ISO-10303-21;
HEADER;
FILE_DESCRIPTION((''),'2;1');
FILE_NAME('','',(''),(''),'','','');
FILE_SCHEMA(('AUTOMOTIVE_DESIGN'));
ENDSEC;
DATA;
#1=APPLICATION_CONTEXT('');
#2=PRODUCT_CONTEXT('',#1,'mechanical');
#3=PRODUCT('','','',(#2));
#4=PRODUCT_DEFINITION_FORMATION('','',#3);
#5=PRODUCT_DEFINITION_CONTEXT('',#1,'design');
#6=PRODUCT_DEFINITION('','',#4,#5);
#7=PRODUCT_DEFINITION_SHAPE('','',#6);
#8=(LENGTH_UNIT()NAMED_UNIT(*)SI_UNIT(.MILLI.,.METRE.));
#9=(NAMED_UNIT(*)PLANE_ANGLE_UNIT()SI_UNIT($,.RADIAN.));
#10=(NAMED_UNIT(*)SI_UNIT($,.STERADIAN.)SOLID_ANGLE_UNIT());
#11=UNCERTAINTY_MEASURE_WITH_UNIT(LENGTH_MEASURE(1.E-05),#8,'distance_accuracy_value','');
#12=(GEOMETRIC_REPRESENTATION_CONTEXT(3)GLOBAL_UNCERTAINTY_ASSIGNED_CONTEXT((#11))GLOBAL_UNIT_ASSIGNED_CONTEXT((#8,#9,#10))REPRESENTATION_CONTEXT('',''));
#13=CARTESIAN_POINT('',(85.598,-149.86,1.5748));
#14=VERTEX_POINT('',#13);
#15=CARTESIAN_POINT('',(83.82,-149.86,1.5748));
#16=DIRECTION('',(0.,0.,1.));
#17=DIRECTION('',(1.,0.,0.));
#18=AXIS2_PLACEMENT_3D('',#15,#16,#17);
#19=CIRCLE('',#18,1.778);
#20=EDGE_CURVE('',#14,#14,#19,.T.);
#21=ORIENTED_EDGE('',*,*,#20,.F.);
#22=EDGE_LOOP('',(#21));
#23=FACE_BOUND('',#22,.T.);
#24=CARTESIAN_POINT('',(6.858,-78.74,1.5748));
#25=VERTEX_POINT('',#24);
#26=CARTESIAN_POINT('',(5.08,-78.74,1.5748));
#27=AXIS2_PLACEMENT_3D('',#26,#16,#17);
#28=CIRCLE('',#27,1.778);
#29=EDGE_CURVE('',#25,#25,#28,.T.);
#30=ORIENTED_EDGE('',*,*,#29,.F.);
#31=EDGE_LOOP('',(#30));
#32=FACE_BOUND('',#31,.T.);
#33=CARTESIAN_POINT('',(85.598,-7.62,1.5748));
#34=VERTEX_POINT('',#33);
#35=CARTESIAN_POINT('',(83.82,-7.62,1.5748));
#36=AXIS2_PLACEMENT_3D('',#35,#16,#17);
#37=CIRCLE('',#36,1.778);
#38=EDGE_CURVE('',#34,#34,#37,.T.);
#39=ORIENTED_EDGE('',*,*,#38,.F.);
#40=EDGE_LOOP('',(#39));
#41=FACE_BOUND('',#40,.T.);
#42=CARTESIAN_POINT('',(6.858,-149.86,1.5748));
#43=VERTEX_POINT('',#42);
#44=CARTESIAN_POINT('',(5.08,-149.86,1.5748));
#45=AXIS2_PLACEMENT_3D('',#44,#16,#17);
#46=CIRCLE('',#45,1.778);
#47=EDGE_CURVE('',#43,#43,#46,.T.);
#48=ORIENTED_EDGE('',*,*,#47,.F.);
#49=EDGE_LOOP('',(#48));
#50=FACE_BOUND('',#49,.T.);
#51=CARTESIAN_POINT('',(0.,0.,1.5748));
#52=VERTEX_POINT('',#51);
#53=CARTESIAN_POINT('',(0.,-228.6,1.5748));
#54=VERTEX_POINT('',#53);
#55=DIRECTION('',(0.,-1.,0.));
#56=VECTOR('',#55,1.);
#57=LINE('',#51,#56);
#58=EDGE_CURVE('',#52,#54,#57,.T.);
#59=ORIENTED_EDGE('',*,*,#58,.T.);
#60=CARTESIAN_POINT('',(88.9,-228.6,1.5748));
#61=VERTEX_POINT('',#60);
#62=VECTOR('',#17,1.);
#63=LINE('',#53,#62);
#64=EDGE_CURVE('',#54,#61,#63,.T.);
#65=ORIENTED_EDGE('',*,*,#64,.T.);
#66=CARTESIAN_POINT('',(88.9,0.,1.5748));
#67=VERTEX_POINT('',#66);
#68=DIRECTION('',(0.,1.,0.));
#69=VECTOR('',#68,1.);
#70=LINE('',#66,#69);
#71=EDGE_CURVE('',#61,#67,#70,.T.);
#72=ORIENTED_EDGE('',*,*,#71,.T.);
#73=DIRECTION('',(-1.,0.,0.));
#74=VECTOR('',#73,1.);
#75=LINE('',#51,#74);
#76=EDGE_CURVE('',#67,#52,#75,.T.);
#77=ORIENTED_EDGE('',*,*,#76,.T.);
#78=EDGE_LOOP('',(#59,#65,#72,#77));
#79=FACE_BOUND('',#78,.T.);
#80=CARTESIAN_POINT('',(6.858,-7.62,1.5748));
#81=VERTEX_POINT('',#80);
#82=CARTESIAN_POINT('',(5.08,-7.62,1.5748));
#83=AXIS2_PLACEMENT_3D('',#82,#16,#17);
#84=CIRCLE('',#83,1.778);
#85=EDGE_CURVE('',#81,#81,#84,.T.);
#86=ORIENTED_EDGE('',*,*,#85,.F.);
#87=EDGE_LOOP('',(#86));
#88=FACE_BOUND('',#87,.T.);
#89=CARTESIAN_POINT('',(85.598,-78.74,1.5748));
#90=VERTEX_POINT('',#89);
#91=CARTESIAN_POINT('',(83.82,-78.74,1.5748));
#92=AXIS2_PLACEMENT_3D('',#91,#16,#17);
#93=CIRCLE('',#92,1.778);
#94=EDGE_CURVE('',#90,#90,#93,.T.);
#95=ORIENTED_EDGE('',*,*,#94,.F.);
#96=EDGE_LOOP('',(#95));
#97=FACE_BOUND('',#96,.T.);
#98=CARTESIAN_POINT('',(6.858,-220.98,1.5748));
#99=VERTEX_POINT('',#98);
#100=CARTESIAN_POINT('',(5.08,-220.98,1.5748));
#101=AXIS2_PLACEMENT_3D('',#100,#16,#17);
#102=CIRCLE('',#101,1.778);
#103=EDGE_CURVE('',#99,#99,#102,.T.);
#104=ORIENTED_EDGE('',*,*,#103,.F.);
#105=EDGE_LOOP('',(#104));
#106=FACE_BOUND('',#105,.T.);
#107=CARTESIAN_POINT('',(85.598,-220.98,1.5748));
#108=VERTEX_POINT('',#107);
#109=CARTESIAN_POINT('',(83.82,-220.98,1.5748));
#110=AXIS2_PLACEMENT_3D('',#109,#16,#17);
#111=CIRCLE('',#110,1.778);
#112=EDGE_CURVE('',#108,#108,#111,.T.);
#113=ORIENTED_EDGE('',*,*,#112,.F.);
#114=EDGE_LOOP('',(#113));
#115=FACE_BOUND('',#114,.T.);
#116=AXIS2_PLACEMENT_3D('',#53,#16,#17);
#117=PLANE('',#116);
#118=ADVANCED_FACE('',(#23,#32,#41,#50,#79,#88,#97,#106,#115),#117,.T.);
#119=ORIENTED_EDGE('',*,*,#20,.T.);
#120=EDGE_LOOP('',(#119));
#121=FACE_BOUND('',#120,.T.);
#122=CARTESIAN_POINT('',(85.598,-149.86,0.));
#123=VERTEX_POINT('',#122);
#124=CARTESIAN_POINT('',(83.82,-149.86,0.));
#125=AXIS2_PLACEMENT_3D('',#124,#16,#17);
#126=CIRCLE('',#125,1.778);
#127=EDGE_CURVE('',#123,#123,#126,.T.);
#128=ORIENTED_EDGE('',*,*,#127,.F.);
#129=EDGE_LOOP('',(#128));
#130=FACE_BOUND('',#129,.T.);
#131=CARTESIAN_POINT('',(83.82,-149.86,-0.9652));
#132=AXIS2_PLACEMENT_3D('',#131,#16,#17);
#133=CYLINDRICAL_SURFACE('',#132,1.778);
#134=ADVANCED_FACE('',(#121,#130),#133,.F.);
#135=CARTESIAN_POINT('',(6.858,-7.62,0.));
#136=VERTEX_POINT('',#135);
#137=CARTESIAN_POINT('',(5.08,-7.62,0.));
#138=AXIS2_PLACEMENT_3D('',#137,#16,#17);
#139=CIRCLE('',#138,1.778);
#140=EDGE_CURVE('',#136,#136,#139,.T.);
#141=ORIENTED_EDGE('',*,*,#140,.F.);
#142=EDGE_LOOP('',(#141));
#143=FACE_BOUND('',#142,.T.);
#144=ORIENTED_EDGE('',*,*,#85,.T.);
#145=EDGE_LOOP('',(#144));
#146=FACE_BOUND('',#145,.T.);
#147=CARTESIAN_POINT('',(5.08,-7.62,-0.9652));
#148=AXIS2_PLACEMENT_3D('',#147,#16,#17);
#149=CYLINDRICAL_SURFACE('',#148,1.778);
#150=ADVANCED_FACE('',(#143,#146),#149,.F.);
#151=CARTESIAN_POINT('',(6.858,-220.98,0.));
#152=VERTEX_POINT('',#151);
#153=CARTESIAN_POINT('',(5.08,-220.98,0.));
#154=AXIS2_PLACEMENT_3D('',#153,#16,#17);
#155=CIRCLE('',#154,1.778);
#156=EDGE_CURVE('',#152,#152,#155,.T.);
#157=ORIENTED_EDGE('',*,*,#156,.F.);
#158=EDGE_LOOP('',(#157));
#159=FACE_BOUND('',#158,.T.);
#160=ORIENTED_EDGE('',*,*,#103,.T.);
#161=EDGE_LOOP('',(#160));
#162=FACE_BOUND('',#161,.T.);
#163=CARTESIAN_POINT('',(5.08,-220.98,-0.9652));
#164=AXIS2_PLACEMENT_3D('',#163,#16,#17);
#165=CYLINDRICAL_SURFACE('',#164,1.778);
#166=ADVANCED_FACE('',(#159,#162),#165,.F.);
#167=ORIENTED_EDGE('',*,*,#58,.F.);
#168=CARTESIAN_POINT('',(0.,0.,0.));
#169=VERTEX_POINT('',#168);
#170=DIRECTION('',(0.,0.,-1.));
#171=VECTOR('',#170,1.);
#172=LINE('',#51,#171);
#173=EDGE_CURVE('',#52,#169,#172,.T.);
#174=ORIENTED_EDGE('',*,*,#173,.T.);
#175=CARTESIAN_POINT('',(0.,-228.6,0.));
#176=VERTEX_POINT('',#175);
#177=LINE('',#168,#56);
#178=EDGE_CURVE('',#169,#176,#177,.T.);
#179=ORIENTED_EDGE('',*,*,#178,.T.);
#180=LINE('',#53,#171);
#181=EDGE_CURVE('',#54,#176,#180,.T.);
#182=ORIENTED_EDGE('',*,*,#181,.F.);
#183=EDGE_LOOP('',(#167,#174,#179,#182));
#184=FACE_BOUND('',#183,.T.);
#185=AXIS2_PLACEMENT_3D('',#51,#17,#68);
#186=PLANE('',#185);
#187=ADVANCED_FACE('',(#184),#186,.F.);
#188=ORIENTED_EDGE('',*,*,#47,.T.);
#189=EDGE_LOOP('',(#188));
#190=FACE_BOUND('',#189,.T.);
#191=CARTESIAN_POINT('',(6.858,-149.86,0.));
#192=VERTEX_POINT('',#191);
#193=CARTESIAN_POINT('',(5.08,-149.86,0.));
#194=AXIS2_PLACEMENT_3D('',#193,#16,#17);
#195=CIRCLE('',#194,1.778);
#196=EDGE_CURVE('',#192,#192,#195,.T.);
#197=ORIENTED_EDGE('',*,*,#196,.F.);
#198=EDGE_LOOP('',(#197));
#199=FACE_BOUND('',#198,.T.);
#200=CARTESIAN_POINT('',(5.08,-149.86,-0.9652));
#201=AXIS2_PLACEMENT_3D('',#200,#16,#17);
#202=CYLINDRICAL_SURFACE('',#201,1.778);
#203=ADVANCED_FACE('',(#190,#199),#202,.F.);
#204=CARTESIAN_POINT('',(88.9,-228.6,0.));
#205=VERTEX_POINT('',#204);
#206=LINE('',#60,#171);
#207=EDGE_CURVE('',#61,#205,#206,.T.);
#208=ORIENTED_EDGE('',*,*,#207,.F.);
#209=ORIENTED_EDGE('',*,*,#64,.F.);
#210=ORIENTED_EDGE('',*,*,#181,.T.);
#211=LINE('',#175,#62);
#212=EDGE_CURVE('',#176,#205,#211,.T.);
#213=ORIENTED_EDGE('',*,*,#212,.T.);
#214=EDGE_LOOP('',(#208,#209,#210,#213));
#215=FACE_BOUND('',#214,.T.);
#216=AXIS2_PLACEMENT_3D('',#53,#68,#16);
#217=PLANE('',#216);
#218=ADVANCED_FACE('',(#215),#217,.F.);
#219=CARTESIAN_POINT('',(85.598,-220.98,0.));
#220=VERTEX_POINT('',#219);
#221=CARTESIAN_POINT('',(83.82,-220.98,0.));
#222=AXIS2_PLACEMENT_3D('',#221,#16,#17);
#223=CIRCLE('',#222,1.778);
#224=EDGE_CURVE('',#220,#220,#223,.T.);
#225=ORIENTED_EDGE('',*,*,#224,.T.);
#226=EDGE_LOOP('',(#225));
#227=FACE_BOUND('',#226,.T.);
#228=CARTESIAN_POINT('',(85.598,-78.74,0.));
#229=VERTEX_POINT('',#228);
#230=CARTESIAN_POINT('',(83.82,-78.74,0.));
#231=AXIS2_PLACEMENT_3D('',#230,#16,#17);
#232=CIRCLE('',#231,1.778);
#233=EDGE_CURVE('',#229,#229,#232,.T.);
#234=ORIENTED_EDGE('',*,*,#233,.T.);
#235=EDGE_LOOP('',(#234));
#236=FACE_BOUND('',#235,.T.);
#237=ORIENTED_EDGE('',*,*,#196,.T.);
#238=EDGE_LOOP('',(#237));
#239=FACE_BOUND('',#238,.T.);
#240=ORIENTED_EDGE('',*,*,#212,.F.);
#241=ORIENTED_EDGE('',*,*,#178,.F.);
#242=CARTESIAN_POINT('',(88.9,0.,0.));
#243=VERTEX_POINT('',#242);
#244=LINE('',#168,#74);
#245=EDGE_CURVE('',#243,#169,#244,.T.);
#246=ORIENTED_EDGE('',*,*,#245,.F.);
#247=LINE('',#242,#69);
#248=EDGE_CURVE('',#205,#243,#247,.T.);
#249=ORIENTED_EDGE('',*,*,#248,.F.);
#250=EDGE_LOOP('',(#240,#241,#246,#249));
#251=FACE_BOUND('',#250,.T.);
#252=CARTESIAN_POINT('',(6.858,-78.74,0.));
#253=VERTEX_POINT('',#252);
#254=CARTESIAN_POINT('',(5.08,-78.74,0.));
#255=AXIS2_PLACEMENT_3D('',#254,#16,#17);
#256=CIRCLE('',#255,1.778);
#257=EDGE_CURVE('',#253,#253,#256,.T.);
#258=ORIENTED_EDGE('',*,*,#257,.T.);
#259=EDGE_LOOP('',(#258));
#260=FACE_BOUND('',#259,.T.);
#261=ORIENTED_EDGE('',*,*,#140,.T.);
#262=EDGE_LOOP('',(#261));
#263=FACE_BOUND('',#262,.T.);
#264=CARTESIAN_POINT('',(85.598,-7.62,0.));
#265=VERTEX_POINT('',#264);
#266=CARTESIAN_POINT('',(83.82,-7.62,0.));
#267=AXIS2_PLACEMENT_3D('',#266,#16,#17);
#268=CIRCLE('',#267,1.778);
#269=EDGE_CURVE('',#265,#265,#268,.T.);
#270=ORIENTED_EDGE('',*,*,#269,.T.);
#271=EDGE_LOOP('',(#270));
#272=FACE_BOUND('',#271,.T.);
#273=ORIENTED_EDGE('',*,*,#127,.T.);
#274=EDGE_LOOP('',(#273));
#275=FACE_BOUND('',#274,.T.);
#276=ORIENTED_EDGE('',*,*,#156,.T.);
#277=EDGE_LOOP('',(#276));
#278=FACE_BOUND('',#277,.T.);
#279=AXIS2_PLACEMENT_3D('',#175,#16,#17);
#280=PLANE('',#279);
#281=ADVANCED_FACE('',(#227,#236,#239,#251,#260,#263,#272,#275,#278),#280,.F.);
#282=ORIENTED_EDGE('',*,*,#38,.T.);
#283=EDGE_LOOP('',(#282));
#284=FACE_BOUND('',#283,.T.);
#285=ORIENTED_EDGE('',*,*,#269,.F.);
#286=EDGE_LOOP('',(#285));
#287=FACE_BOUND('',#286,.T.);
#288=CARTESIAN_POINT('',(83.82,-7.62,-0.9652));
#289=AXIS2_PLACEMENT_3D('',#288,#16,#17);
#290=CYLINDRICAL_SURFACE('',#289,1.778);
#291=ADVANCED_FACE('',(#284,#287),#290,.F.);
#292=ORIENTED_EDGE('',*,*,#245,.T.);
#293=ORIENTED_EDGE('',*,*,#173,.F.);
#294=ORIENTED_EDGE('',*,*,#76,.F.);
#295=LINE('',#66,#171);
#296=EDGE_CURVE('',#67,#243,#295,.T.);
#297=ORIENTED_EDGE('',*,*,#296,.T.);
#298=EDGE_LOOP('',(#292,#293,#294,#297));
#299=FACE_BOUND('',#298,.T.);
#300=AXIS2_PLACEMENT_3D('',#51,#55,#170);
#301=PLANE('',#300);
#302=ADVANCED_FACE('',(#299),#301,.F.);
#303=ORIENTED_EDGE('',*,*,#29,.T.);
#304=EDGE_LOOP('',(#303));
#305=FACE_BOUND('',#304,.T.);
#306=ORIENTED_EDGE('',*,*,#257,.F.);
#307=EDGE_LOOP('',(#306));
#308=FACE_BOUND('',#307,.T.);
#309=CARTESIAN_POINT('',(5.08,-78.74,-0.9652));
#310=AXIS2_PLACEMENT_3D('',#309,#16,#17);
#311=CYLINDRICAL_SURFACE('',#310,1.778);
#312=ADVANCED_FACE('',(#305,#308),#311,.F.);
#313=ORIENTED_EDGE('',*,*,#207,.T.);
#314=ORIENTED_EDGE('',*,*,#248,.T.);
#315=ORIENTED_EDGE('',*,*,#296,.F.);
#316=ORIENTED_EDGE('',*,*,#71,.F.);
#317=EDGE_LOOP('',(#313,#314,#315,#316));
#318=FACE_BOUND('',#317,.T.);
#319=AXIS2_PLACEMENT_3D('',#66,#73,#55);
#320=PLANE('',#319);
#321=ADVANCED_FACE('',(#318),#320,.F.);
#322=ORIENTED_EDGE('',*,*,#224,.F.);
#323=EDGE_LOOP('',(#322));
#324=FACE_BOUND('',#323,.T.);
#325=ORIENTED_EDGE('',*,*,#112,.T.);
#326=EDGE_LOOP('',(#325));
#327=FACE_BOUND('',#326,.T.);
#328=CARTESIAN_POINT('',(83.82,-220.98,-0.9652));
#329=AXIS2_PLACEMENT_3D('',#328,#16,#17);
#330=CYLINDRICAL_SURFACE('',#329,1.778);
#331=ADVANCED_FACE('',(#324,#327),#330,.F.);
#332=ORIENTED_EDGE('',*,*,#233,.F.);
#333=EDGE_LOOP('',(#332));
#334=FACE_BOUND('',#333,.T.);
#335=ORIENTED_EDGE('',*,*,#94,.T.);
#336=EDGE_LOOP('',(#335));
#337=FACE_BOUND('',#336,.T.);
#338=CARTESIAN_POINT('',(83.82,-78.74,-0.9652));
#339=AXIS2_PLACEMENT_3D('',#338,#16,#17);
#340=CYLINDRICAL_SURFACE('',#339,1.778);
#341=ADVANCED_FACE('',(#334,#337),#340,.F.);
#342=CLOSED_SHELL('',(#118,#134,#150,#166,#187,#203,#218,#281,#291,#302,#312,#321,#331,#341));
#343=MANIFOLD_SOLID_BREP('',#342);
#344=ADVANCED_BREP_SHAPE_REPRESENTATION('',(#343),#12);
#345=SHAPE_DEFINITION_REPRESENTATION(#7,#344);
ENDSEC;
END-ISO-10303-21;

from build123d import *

# Parameters (mm, degrees)
SKETCH1_W            = 88.9
SKETCH1_H            = 228.6
EXTRUDE1_DEPTH       = 1.5748
SKETCH2_R            = 1.778
CUT_EXTRUDE1_DEPTH   = 2.54
LPATTERN1_COUNT      = 2
LPATTERN1_PITCH      = 78.74
LPATTERN1_COUNT_DIR2 = 4
LPATTERN1_PITCH_DIR2 = 71.12


with BuildPart() as part:
    # Sketch1 → Extrude1 (new body)
    with BuildSketch(Plane.XY):
        with Locations((44.45, -114.3)):
            Rectangle(SKETCH1_W, SKETCH1_H)
    extrude(amount=EXTRUDE1_DEPTH)

    # Sketch2 → Cut-Extrude1 (cut)
    with BuildSketch(Plane.XY.offset(1.5748)):
        with Locations((5.08, -7.62)):
            Circle(SKETCH2_R)
    cut_extrude1 = extrude(amount=-CUT_EXTRUDE1_DEPTH, mode=Mode.SUBTRACT)

    # LPattern1: Cut-Extrude1 2 × 4
    with Locations(*[(i * LPATTERN1_PITCH, -j * LPATTERN1_PITCH_DIR2, 0) for i in range(LPATTERN1_COUNT) for j in range(LPATTERN1_COUNT_DIR2) if (i, j) != (0, 0)]):
        add(cut_extrude1, mode=Mode.SUBTRACT)


solid = part.part
